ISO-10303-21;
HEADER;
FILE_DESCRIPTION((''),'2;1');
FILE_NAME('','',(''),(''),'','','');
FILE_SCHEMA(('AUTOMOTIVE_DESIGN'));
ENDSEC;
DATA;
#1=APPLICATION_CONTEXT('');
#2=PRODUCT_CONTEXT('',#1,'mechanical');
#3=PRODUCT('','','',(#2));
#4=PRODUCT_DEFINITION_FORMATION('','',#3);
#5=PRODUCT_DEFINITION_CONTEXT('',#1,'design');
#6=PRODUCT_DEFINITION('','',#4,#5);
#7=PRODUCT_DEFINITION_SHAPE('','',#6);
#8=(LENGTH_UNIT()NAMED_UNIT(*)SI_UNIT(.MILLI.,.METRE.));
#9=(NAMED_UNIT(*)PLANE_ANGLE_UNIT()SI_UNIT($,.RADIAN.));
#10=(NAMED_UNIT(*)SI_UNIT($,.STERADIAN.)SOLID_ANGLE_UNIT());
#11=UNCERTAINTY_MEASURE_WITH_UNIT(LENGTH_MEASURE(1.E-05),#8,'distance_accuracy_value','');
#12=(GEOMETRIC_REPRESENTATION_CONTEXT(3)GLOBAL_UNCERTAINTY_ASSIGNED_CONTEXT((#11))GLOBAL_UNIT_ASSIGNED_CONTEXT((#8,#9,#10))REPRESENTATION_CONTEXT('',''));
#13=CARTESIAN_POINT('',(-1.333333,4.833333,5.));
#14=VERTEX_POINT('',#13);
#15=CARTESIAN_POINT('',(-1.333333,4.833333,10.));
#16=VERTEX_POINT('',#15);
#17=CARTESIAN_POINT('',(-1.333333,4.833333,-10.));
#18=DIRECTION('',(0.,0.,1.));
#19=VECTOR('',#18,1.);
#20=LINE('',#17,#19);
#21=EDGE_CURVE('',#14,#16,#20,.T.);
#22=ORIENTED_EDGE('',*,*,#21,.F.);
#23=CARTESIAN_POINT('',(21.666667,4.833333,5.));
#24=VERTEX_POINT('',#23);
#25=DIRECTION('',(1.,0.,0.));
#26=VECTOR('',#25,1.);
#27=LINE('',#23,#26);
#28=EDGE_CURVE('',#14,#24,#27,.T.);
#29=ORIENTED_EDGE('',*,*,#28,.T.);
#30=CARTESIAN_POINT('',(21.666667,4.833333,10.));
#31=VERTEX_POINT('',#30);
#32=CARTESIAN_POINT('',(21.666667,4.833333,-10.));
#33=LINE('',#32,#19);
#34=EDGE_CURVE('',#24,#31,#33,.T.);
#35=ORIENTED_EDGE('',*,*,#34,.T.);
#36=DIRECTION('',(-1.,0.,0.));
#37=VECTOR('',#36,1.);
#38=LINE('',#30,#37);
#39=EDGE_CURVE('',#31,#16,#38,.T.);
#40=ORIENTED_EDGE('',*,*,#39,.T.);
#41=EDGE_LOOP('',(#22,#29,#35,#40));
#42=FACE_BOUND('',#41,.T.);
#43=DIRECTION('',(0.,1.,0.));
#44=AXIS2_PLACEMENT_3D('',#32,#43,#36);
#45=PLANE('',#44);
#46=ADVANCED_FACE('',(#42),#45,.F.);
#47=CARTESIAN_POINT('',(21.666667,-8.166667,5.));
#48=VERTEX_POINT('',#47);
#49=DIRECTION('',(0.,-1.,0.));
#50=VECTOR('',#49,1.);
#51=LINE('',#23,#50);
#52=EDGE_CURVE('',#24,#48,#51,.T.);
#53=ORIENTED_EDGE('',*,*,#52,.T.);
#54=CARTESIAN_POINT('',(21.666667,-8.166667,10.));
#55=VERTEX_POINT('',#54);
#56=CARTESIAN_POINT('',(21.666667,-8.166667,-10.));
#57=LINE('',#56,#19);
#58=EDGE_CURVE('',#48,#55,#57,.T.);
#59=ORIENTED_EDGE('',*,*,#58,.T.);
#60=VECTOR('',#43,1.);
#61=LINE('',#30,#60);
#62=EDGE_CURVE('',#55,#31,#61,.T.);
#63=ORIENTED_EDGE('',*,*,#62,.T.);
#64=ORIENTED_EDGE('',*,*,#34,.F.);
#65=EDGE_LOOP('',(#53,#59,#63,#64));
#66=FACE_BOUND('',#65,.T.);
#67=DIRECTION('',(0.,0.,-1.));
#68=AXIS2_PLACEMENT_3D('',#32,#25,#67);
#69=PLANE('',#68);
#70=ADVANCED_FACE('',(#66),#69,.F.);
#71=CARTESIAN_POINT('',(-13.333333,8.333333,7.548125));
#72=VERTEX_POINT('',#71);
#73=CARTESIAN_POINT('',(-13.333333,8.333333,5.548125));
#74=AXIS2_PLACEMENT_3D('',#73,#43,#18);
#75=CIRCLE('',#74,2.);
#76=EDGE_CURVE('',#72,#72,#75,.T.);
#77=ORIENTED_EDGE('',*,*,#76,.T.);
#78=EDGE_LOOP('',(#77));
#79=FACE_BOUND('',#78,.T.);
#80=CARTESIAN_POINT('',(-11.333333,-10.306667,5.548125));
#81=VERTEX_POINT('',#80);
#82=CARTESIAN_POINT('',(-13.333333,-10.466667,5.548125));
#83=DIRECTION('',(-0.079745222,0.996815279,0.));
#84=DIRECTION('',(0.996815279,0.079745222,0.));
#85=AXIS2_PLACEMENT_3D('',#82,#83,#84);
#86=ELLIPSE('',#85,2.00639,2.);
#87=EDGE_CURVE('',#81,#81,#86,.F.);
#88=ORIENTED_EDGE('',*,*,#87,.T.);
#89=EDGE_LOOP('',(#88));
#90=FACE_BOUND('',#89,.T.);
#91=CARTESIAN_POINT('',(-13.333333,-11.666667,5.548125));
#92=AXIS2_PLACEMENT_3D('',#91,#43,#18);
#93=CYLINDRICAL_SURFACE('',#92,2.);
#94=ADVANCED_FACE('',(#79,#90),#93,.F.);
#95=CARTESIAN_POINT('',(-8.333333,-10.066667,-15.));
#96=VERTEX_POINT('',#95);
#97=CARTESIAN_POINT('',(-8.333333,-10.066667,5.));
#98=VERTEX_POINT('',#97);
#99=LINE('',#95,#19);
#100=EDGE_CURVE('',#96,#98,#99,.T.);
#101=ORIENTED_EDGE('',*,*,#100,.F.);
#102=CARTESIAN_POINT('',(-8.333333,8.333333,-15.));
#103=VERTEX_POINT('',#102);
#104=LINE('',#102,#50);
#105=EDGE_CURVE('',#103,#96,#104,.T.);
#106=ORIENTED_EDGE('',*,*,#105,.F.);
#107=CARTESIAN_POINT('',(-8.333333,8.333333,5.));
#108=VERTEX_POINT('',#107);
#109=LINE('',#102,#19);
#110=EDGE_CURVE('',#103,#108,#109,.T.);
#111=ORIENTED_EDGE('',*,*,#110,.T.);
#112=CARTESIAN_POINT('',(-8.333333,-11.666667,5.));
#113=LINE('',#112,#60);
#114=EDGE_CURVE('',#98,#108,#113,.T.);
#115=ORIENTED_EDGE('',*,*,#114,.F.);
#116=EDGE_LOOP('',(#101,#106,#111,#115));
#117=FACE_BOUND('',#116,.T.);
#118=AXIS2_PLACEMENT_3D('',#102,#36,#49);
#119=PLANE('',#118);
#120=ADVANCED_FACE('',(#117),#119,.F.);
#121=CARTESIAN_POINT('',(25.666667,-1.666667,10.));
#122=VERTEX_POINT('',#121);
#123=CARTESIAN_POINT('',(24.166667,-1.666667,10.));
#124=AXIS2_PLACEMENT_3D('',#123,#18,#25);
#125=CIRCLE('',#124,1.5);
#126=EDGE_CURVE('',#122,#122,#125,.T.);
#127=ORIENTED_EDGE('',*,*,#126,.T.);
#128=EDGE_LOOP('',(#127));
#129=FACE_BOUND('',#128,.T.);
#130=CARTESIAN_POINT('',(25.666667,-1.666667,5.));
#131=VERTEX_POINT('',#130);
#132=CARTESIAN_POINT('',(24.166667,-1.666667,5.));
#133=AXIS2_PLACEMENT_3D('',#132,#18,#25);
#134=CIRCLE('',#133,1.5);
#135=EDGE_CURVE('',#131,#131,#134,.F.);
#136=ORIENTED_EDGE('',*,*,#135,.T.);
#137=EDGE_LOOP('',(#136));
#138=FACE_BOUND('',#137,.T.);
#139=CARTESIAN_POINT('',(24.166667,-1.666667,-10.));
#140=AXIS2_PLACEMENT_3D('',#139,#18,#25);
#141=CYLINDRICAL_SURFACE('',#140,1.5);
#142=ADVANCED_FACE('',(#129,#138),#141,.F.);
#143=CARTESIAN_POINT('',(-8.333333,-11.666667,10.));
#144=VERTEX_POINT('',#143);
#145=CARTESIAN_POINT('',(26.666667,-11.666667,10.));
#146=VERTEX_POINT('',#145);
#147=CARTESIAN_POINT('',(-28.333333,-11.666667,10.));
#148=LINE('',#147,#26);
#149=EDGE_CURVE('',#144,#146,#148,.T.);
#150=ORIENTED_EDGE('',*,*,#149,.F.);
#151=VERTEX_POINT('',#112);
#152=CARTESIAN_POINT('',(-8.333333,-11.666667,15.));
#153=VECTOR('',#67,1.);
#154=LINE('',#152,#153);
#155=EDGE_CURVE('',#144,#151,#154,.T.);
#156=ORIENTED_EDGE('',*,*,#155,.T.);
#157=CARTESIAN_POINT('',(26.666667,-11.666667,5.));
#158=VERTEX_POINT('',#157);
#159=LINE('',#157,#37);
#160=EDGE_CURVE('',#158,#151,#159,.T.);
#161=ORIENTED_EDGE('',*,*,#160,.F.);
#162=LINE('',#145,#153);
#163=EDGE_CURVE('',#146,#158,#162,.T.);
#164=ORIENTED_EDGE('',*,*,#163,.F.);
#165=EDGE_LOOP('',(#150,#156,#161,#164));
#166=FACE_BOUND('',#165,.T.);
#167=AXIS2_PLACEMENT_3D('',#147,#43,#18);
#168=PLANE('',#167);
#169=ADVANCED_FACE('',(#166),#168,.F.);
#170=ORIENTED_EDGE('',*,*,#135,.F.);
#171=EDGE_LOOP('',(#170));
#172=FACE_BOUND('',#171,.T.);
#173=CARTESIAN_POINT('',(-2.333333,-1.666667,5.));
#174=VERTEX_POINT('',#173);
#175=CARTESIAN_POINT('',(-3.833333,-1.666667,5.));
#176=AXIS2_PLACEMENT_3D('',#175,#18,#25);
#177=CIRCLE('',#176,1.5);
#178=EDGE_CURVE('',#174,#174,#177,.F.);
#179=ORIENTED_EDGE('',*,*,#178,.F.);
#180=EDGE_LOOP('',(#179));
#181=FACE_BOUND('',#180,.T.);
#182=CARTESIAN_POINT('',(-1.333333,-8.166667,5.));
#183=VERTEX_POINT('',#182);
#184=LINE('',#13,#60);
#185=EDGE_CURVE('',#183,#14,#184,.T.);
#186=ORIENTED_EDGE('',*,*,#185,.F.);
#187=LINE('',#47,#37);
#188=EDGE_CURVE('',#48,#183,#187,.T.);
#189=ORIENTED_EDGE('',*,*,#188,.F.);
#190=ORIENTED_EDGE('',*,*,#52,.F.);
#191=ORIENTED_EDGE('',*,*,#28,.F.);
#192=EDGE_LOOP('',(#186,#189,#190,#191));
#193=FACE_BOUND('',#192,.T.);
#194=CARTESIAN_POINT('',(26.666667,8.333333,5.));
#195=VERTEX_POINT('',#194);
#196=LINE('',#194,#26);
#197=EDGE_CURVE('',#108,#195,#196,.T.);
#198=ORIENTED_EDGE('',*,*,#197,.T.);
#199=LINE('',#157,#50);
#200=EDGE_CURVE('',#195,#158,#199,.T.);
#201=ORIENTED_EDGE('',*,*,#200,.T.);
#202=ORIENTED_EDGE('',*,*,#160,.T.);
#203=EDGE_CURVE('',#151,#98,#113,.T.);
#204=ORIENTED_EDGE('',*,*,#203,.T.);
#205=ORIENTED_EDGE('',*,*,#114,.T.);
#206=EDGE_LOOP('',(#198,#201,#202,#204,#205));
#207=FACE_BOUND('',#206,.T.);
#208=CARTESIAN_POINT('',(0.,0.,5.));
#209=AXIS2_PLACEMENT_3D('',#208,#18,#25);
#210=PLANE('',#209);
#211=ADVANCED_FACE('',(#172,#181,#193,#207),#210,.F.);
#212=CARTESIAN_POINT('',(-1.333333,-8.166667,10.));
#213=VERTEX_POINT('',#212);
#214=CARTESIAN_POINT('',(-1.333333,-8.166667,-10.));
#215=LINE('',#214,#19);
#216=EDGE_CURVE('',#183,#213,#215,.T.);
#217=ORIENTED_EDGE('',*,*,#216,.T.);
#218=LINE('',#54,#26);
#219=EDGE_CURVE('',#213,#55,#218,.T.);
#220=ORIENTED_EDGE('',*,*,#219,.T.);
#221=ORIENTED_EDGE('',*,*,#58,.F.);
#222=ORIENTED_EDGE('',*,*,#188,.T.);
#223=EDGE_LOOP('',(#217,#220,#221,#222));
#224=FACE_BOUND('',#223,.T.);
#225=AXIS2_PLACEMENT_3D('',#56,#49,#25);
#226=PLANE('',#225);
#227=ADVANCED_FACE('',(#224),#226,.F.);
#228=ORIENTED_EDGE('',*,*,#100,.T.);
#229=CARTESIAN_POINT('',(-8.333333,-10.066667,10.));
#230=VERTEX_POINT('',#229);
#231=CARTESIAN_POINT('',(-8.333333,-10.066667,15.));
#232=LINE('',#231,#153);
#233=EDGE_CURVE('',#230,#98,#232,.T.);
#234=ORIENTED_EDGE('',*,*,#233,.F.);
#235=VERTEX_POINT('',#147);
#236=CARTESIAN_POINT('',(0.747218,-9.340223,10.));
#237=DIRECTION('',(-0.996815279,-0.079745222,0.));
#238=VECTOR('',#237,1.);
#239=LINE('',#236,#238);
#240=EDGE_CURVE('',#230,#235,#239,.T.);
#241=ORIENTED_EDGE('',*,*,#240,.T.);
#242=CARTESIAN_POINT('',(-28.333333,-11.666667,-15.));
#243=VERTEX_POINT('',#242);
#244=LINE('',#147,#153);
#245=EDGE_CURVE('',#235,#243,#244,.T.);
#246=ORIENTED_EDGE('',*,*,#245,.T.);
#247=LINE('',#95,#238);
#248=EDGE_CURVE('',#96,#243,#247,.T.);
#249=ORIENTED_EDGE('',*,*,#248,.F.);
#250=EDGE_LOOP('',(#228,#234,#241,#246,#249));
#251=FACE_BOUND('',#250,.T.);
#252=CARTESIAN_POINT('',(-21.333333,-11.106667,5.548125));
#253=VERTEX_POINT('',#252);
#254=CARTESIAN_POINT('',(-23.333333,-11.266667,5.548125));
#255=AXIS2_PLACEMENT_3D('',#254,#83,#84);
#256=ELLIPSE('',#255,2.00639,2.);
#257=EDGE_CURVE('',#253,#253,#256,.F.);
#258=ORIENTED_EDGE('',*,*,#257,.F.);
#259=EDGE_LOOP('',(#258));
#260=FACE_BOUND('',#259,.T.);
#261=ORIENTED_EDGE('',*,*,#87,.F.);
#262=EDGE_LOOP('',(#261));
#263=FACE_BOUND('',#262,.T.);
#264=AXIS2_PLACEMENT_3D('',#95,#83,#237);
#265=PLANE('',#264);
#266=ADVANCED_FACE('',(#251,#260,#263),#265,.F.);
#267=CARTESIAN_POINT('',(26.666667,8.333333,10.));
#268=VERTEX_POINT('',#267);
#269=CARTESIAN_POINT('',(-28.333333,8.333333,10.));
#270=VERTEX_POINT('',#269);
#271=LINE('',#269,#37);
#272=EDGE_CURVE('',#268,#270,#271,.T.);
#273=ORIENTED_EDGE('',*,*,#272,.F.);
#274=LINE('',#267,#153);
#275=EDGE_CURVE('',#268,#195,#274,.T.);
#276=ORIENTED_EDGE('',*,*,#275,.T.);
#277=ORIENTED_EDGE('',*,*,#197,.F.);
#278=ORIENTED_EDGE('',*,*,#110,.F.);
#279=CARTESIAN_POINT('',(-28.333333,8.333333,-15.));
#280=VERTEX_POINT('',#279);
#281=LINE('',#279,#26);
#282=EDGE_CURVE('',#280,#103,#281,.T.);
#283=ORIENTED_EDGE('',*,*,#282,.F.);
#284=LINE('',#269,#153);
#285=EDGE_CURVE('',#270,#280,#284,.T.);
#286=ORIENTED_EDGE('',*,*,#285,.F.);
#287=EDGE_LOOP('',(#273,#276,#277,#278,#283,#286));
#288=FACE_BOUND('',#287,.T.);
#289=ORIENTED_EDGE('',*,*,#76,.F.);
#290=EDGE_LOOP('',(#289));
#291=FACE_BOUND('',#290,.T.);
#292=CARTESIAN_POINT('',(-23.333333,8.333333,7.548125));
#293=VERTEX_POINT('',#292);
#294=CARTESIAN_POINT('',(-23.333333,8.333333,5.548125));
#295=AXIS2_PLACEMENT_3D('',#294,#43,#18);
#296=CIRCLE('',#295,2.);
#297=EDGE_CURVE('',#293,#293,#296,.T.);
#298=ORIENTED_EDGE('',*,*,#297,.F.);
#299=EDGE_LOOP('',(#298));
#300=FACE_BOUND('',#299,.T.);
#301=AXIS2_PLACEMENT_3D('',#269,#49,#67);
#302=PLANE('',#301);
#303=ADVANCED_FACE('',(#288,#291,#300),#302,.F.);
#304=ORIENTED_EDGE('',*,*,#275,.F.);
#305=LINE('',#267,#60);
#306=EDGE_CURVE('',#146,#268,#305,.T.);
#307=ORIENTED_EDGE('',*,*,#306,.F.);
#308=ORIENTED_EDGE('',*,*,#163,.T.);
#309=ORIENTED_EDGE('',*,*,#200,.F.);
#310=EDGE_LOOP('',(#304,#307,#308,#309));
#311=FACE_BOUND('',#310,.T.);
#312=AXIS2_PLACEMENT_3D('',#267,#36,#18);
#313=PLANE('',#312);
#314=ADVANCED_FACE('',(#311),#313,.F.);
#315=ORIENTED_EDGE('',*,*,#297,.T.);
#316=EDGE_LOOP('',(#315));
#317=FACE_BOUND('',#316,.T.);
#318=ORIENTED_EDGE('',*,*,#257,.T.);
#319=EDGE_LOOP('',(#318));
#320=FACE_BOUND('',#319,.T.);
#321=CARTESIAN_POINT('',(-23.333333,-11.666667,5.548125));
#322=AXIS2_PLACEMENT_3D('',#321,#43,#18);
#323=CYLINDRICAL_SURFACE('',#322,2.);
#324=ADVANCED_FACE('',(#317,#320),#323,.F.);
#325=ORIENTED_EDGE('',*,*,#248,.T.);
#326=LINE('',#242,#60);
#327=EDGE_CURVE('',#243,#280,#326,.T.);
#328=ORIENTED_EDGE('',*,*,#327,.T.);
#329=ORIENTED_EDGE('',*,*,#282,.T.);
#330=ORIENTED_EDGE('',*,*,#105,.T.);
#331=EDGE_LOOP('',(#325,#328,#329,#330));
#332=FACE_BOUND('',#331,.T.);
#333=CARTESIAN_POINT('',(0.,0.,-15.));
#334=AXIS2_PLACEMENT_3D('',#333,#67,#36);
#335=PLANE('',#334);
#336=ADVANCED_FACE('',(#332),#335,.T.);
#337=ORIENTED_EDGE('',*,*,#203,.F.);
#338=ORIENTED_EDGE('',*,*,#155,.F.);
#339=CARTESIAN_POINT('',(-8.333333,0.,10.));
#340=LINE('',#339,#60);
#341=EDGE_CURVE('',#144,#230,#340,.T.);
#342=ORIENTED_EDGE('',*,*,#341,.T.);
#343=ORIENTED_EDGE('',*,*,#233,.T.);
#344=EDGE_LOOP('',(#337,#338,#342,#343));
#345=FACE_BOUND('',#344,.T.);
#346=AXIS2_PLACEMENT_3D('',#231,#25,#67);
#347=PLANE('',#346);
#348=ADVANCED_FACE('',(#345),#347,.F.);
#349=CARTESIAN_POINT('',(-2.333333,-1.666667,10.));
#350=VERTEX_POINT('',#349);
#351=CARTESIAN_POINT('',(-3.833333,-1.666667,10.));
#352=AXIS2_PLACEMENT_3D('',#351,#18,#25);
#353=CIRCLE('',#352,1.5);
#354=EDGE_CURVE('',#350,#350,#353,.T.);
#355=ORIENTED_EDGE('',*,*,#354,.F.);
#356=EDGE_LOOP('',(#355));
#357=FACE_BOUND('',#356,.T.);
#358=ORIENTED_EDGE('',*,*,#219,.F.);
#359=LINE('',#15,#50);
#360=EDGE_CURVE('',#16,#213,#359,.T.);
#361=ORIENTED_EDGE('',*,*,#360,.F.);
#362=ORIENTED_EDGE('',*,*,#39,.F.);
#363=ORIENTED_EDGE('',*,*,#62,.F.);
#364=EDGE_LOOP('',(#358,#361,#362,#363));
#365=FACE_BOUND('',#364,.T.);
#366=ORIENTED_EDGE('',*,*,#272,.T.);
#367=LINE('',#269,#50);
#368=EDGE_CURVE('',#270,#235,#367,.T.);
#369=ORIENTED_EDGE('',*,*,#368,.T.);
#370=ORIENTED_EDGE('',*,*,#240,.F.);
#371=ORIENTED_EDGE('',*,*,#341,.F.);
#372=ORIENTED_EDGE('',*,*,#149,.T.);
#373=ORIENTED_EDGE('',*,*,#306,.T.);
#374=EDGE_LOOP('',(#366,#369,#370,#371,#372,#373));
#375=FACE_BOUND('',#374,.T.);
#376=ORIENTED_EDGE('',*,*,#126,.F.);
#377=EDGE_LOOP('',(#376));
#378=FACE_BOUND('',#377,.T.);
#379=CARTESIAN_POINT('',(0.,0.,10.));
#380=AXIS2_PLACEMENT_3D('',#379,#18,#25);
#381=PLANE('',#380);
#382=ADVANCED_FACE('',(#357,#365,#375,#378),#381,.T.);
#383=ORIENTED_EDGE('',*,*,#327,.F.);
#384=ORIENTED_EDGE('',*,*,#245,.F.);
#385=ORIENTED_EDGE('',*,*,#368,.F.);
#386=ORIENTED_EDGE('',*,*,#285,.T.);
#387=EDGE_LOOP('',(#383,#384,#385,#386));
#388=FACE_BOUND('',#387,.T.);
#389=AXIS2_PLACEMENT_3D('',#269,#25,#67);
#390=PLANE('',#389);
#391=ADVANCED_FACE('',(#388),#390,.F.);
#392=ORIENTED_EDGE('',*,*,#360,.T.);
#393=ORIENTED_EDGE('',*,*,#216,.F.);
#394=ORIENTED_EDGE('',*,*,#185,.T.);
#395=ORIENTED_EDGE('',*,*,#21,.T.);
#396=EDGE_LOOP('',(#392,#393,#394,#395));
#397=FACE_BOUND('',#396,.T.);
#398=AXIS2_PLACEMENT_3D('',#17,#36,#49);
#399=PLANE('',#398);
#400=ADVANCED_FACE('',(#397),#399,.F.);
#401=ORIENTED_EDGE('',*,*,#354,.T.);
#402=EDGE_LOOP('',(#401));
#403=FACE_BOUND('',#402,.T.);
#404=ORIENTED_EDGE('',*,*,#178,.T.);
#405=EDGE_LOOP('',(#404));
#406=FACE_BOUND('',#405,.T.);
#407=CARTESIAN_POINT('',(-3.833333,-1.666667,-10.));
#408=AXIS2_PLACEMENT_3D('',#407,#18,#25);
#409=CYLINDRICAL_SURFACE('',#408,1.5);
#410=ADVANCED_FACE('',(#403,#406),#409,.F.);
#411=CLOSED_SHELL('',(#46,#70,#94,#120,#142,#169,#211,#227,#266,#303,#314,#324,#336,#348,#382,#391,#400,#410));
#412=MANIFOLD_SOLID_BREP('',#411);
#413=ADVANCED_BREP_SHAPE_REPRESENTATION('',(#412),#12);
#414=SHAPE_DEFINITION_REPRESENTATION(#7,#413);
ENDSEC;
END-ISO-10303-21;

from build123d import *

# Parameters (mm, degrees)
ESQUISSE1_W             = 55
ESQUISSE1_H             = 20
BOSS_EXTRU_1_DEPTH      = 10
ESQUISSE2_R             = 2
ENL_V_MAT_EXTRU_1_DEPTH = 20
ESQUISSE3_R             = 1.5
ESQUISSE3_W             = 23
ESQUISSE3_H             = 13
ENL_V_MAT_EXTRU_2_DEPTH = 20
BOSS_EXTRU_2_DEPTH      = 15
ENL_V_MAT_EXTRU_3_DEPTH = 15
ESQUISSE7_W             = 35
ESQUISSE7_H             = 20
ENL_V_MAT_EXTRU_4_DEPTH = 5


with BuildPart() as part:
    # Esquisse1 → Boss.-Extru.1 (new body)
    with BuildSketch(Plane.XY):
        with Locations((-0.833333333, -1.666666667)):
            Rectangle(ESQUISSE1_W, ESQUISSE1_H)
    extrude(amount=BOSS_EXTRU_1_DEPTH)

    # Esquisse2 → Enlèv. mat.-Extru.1 (cut)
    with BuildSketch(Plane(origin=(0, 8.333333333, 0), x_dir=(1, 0, 0), z_dir=(0, 1, 0))):
        with Locations(Location((-23.333333333, -5.548124667, 0), (0, 0, 270))):
            Circle(ESQUISSE2_R)
        with Locations(Location((-13.333333333, -5.548124667, 0), (0, 0, 270))):
            Circle(ESQUISSE2_R)
    extrude(amount=-ENL_V_MAT_EXTRU_1_DEPTH, mode=Mode.SUBTRACT)

    # Esquisse3 → Enlèv. mat.-Extru.2 (cut)
    with BuildSketch(Plane.XY.offset(10)):
        with Locations((24.166666667, -1.666666667)):
            Circle(ESQUISSE3_R)
        with Locations((-3.833333333, -1.666666667)):
            Circle(ESQUISSE3_R)
        with Locations((10.166666667, -1.666666667)):
            Rectangle(ESQUISSE3_W, ESQUISSE3_H)
    extrude(amount=-ENL_V_MAT_EXTRU_2_DEPTH, mode=Mode.SUBTRACT)

    # Esquisse5 → Boss.-Extru.2 (add)
    with BuildSketch(Plane(origin=(0, 0, 0), x_dir=(-1, 0, 0), z_dir=(0, 0, -1))):
        Polygon((28.333333333, -11.666666667), (28.333333333, 8.333333333), (8.333333333, 8.333333333), (8.333333333, -10.066666667), align=None)
    extrude(amount=BOSS_EXTRU_2_DEPTH)

    # Esquisse6 → Enlèv. mat.-Extru.3 (cut)
    with BuildSketch(Plane(origin=(0, 0, 0), x_dir=(-1, 0, 0), z_dir=(0, 0, -1))):
        Polygon((8.333333333, -10.066666667), (8.333333333, -11.666666667), (28.333333333, -11.666666667), align=None)
    extrude(amount=-ENL_V_MAT_EXTRU_3_DEPTH, mode=Mode.SUBTRACT)

    # Esquisse7 → Enlèv. mat.-Extru.4 (cut)
    with BuildSketch(Plane(origin=(0, 0, 0), x_dir=(-1, 0, 0), z_dir=(0, 0, -1))):
        with Locations((-9.166666667, -1.666666667)):
            Rectangle(ESQUISSE7_W, ESQUISSE7_H)
    extrude(amount=-ENL_V_MAT_EXTRU_4_DEPTH, mode=Mode.SUBTRACT)


solid = part.part
